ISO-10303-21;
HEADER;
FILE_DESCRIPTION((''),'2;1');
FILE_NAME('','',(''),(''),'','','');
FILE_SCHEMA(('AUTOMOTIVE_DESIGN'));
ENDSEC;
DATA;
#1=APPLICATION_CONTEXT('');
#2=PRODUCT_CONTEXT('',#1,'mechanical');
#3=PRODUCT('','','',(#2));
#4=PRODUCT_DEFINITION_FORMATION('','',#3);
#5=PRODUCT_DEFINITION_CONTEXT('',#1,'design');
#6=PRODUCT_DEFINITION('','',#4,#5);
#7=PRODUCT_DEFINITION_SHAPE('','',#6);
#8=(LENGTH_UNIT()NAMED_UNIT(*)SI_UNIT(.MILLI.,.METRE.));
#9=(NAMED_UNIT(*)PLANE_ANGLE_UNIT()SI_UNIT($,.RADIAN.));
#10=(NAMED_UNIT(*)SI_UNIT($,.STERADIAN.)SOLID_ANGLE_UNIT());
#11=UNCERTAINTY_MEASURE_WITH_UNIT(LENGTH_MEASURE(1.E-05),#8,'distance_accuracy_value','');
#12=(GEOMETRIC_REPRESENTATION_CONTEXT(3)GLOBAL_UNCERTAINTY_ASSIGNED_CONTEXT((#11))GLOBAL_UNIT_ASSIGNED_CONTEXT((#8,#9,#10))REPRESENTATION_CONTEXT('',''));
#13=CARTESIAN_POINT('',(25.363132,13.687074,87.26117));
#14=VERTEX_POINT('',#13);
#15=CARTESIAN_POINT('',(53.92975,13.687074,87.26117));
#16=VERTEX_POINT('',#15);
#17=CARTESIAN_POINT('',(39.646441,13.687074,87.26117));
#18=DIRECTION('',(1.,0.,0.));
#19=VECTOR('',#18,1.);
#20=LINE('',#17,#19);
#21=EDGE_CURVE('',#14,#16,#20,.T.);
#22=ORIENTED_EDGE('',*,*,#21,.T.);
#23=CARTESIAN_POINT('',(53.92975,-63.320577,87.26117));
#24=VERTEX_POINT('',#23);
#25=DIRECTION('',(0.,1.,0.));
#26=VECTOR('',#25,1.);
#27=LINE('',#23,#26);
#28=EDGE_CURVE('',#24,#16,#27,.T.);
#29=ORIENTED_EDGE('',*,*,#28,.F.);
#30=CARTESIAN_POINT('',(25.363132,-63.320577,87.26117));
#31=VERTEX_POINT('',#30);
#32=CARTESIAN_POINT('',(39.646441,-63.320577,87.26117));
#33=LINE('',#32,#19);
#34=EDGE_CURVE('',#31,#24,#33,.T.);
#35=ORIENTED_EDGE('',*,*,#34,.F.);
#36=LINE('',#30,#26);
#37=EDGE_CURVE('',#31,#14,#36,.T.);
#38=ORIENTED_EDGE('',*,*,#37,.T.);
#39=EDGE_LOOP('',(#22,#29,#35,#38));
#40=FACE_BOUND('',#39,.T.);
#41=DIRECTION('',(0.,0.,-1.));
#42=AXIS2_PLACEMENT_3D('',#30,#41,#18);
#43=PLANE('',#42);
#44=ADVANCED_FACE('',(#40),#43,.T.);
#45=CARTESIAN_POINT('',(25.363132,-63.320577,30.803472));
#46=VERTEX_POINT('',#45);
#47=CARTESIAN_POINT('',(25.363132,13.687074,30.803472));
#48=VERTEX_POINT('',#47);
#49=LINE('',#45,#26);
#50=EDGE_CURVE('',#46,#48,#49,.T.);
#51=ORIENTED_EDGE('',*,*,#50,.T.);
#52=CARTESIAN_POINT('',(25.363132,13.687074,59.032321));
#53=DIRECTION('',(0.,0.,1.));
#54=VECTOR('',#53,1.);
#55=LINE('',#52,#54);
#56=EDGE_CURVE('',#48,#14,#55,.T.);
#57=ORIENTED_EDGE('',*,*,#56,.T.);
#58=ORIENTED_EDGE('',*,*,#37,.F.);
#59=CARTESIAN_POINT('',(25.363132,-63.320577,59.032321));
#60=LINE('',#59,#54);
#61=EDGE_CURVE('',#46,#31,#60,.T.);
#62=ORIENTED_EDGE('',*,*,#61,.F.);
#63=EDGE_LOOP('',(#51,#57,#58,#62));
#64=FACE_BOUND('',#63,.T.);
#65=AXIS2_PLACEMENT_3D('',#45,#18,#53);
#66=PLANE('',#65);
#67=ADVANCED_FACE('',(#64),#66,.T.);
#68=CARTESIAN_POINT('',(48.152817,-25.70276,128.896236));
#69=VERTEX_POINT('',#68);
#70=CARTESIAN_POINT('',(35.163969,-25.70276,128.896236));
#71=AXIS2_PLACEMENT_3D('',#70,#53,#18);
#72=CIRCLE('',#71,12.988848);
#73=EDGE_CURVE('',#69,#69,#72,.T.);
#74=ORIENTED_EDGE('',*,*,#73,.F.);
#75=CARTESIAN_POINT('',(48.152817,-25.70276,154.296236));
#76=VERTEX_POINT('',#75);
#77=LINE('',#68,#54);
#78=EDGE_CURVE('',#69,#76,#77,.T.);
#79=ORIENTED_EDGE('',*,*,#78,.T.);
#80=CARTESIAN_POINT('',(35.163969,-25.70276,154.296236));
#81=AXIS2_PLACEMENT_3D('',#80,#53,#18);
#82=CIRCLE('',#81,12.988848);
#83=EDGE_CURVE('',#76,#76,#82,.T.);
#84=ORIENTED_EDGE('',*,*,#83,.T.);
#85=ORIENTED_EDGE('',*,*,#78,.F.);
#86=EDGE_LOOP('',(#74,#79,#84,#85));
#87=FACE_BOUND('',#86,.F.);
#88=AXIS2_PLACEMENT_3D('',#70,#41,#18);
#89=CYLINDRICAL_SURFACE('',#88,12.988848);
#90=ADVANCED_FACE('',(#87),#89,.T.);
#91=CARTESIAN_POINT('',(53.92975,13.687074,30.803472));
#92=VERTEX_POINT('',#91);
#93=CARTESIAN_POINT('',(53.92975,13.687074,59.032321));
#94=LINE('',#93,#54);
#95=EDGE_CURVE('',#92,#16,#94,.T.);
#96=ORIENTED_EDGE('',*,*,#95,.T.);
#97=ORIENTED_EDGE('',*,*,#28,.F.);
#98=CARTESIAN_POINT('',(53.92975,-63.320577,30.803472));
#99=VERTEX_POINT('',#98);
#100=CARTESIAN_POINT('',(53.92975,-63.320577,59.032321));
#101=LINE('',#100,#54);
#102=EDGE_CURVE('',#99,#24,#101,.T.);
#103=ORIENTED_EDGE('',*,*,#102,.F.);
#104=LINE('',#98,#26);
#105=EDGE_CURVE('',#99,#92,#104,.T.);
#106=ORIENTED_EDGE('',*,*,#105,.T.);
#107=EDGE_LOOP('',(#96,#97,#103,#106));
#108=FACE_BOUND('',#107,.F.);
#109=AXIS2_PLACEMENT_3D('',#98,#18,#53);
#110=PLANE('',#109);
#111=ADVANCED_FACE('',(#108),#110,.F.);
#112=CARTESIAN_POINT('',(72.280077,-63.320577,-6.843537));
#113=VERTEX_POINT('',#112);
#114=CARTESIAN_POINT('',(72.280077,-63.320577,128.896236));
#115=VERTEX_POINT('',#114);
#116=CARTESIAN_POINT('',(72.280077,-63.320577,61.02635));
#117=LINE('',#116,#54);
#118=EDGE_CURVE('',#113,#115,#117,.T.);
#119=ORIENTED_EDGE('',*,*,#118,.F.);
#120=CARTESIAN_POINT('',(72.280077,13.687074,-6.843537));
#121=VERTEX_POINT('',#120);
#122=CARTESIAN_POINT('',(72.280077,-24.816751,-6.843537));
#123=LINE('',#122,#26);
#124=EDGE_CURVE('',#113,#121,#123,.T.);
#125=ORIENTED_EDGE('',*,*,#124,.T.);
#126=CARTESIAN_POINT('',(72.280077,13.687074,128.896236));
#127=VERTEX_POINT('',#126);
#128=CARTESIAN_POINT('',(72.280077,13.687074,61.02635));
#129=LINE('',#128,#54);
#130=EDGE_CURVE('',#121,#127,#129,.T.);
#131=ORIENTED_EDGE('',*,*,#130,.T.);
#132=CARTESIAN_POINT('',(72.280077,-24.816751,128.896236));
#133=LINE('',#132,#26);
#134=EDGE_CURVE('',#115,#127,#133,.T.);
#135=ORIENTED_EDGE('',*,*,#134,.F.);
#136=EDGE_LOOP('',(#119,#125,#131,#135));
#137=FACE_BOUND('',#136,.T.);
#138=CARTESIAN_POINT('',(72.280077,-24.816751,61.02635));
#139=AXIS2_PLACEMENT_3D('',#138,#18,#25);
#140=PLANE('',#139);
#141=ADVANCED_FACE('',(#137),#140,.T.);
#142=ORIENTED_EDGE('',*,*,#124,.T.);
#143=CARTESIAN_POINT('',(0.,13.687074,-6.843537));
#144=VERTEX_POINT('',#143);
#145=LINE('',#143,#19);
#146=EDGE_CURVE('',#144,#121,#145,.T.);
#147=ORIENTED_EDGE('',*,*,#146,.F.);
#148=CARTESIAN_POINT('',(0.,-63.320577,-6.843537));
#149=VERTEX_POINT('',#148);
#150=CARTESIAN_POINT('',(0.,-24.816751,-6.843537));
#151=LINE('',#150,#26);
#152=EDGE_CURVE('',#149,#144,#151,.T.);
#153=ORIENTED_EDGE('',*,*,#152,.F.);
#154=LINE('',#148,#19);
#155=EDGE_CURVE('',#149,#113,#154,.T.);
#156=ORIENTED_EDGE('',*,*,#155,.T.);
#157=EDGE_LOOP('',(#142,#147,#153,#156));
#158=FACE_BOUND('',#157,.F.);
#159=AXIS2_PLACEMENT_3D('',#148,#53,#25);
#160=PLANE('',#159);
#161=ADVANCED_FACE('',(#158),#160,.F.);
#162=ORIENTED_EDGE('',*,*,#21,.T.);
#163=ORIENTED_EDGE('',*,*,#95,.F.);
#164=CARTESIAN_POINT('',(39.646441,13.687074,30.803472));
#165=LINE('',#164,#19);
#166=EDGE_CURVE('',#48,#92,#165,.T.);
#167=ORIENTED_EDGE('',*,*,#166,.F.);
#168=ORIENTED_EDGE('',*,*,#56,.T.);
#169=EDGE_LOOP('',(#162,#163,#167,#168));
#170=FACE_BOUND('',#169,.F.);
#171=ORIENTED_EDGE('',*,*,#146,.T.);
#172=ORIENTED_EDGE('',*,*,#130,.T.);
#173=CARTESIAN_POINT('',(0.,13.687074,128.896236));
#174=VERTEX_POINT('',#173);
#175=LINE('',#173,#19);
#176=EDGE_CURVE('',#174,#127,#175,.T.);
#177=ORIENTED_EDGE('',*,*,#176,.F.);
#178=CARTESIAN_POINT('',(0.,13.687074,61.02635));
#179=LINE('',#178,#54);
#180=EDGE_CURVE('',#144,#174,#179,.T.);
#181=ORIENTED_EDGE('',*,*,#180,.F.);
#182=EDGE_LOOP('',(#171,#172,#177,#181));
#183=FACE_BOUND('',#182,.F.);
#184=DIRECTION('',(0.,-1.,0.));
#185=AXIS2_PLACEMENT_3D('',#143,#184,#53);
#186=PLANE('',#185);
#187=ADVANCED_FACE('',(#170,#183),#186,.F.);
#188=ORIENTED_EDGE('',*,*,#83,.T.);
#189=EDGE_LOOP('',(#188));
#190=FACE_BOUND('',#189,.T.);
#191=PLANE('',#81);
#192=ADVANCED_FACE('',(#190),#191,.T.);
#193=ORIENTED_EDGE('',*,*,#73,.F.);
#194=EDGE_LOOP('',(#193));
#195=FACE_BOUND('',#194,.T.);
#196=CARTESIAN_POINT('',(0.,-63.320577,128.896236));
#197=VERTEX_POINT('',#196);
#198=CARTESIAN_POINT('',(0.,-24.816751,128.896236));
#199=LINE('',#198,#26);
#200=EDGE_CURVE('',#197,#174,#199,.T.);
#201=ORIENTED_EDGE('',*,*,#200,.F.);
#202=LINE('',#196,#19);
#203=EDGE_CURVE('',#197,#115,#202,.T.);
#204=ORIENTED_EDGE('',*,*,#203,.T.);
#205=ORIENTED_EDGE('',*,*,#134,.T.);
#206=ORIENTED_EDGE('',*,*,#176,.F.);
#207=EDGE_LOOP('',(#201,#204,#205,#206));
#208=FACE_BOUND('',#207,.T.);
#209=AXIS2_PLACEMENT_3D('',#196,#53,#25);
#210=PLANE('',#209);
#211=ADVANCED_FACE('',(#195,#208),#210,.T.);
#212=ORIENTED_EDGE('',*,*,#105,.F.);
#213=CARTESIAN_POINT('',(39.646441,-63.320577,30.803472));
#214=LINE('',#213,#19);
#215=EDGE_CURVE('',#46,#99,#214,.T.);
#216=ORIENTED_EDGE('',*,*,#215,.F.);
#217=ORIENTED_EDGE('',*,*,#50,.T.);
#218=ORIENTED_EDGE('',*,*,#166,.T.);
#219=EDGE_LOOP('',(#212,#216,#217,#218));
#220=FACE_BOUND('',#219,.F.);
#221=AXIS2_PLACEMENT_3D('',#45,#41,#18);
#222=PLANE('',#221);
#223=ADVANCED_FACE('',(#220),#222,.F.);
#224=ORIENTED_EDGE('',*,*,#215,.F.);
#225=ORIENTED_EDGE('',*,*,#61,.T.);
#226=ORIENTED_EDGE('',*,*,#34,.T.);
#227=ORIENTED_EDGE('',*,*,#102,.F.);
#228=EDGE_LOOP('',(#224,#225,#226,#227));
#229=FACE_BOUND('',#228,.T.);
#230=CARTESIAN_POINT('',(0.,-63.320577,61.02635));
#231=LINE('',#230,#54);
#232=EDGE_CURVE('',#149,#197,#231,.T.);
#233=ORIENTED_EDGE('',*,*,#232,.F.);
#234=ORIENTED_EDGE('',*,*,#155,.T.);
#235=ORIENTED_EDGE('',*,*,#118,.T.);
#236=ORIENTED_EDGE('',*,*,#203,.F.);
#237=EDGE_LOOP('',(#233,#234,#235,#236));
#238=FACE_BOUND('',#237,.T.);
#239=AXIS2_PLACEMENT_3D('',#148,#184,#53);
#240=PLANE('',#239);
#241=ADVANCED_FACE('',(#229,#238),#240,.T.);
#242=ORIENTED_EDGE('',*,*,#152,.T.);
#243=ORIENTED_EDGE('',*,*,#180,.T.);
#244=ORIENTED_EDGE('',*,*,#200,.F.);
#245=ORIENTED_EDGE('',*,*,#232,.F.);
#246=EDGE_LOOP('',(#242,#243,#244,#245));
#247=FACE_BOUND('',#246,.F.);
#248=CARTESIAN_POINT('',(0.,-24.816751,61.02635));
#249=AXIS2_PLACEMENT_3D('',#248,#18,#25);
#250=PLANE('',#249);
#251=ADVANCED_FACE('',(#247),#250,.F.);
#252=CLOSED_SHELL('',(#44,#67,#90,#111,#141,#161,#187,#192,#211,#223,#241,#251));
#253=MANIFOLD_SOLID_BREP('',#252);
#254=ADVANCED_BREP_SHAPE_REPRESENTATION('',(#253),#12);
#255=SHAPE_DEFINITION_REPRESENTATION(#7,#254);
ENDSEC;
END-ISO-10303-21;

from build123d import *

# Parameters (mm, degrees)
F0_W     = 77.007651329
F0_H     = 135.7397735119
F1_DEPTH = 72.2800772637
F2_R     = 12.98884786
F3_DEPTH = 25.4
F4_W     = 22.6057656109
F4_H     = 36.8559285998
F5_DEPTH = 49.8851463199
F6_W     = 28.5666175187
F6_H     = 56.4576983452
F7_DEPTH = 77.007651329


with BuildPart() as f1:
    # F0 (on Right) → F1 (new body)
    with BuildSketch(Plane.YZ):
        with Locations((-24.8167514801, 61.0263496637)):
            Rectangle(F0_W, F0_H)
    extrude(amount=F1_DEPTH)

    # F2 (on face) → F3 (join)
    with BuildSketch(Plane.XY.offset(128.8962364197)):
        with Locations((35.1639688015, -25.7027596235)):
            Circle(F2_R)
    extrude(amount=F3_DEPTH)

    # F4 (on face) → F5 (cut)
    with BuildSketch(Plane.YZ.offset(72.2800772637)):
        with Locations((-26.0762441903, 56.855943054)):
            Rectangle(F4_W, F4_H)
    extrude(amount=F5_DEPTH, mode=Mode.SUBTRACT)

    # F6 (on face) → F7 (cut, through all)
    with BuildSketch(Plane.XZ.offset(63.3205771446)):
        with Locations((39.6464411169, 59.0323209763)):
            Rectangle(F6_W, F6_H)
    extrude(amount=-F7_DEPTH, mode=Mode.SUBTRACT)


solid = f1.part
